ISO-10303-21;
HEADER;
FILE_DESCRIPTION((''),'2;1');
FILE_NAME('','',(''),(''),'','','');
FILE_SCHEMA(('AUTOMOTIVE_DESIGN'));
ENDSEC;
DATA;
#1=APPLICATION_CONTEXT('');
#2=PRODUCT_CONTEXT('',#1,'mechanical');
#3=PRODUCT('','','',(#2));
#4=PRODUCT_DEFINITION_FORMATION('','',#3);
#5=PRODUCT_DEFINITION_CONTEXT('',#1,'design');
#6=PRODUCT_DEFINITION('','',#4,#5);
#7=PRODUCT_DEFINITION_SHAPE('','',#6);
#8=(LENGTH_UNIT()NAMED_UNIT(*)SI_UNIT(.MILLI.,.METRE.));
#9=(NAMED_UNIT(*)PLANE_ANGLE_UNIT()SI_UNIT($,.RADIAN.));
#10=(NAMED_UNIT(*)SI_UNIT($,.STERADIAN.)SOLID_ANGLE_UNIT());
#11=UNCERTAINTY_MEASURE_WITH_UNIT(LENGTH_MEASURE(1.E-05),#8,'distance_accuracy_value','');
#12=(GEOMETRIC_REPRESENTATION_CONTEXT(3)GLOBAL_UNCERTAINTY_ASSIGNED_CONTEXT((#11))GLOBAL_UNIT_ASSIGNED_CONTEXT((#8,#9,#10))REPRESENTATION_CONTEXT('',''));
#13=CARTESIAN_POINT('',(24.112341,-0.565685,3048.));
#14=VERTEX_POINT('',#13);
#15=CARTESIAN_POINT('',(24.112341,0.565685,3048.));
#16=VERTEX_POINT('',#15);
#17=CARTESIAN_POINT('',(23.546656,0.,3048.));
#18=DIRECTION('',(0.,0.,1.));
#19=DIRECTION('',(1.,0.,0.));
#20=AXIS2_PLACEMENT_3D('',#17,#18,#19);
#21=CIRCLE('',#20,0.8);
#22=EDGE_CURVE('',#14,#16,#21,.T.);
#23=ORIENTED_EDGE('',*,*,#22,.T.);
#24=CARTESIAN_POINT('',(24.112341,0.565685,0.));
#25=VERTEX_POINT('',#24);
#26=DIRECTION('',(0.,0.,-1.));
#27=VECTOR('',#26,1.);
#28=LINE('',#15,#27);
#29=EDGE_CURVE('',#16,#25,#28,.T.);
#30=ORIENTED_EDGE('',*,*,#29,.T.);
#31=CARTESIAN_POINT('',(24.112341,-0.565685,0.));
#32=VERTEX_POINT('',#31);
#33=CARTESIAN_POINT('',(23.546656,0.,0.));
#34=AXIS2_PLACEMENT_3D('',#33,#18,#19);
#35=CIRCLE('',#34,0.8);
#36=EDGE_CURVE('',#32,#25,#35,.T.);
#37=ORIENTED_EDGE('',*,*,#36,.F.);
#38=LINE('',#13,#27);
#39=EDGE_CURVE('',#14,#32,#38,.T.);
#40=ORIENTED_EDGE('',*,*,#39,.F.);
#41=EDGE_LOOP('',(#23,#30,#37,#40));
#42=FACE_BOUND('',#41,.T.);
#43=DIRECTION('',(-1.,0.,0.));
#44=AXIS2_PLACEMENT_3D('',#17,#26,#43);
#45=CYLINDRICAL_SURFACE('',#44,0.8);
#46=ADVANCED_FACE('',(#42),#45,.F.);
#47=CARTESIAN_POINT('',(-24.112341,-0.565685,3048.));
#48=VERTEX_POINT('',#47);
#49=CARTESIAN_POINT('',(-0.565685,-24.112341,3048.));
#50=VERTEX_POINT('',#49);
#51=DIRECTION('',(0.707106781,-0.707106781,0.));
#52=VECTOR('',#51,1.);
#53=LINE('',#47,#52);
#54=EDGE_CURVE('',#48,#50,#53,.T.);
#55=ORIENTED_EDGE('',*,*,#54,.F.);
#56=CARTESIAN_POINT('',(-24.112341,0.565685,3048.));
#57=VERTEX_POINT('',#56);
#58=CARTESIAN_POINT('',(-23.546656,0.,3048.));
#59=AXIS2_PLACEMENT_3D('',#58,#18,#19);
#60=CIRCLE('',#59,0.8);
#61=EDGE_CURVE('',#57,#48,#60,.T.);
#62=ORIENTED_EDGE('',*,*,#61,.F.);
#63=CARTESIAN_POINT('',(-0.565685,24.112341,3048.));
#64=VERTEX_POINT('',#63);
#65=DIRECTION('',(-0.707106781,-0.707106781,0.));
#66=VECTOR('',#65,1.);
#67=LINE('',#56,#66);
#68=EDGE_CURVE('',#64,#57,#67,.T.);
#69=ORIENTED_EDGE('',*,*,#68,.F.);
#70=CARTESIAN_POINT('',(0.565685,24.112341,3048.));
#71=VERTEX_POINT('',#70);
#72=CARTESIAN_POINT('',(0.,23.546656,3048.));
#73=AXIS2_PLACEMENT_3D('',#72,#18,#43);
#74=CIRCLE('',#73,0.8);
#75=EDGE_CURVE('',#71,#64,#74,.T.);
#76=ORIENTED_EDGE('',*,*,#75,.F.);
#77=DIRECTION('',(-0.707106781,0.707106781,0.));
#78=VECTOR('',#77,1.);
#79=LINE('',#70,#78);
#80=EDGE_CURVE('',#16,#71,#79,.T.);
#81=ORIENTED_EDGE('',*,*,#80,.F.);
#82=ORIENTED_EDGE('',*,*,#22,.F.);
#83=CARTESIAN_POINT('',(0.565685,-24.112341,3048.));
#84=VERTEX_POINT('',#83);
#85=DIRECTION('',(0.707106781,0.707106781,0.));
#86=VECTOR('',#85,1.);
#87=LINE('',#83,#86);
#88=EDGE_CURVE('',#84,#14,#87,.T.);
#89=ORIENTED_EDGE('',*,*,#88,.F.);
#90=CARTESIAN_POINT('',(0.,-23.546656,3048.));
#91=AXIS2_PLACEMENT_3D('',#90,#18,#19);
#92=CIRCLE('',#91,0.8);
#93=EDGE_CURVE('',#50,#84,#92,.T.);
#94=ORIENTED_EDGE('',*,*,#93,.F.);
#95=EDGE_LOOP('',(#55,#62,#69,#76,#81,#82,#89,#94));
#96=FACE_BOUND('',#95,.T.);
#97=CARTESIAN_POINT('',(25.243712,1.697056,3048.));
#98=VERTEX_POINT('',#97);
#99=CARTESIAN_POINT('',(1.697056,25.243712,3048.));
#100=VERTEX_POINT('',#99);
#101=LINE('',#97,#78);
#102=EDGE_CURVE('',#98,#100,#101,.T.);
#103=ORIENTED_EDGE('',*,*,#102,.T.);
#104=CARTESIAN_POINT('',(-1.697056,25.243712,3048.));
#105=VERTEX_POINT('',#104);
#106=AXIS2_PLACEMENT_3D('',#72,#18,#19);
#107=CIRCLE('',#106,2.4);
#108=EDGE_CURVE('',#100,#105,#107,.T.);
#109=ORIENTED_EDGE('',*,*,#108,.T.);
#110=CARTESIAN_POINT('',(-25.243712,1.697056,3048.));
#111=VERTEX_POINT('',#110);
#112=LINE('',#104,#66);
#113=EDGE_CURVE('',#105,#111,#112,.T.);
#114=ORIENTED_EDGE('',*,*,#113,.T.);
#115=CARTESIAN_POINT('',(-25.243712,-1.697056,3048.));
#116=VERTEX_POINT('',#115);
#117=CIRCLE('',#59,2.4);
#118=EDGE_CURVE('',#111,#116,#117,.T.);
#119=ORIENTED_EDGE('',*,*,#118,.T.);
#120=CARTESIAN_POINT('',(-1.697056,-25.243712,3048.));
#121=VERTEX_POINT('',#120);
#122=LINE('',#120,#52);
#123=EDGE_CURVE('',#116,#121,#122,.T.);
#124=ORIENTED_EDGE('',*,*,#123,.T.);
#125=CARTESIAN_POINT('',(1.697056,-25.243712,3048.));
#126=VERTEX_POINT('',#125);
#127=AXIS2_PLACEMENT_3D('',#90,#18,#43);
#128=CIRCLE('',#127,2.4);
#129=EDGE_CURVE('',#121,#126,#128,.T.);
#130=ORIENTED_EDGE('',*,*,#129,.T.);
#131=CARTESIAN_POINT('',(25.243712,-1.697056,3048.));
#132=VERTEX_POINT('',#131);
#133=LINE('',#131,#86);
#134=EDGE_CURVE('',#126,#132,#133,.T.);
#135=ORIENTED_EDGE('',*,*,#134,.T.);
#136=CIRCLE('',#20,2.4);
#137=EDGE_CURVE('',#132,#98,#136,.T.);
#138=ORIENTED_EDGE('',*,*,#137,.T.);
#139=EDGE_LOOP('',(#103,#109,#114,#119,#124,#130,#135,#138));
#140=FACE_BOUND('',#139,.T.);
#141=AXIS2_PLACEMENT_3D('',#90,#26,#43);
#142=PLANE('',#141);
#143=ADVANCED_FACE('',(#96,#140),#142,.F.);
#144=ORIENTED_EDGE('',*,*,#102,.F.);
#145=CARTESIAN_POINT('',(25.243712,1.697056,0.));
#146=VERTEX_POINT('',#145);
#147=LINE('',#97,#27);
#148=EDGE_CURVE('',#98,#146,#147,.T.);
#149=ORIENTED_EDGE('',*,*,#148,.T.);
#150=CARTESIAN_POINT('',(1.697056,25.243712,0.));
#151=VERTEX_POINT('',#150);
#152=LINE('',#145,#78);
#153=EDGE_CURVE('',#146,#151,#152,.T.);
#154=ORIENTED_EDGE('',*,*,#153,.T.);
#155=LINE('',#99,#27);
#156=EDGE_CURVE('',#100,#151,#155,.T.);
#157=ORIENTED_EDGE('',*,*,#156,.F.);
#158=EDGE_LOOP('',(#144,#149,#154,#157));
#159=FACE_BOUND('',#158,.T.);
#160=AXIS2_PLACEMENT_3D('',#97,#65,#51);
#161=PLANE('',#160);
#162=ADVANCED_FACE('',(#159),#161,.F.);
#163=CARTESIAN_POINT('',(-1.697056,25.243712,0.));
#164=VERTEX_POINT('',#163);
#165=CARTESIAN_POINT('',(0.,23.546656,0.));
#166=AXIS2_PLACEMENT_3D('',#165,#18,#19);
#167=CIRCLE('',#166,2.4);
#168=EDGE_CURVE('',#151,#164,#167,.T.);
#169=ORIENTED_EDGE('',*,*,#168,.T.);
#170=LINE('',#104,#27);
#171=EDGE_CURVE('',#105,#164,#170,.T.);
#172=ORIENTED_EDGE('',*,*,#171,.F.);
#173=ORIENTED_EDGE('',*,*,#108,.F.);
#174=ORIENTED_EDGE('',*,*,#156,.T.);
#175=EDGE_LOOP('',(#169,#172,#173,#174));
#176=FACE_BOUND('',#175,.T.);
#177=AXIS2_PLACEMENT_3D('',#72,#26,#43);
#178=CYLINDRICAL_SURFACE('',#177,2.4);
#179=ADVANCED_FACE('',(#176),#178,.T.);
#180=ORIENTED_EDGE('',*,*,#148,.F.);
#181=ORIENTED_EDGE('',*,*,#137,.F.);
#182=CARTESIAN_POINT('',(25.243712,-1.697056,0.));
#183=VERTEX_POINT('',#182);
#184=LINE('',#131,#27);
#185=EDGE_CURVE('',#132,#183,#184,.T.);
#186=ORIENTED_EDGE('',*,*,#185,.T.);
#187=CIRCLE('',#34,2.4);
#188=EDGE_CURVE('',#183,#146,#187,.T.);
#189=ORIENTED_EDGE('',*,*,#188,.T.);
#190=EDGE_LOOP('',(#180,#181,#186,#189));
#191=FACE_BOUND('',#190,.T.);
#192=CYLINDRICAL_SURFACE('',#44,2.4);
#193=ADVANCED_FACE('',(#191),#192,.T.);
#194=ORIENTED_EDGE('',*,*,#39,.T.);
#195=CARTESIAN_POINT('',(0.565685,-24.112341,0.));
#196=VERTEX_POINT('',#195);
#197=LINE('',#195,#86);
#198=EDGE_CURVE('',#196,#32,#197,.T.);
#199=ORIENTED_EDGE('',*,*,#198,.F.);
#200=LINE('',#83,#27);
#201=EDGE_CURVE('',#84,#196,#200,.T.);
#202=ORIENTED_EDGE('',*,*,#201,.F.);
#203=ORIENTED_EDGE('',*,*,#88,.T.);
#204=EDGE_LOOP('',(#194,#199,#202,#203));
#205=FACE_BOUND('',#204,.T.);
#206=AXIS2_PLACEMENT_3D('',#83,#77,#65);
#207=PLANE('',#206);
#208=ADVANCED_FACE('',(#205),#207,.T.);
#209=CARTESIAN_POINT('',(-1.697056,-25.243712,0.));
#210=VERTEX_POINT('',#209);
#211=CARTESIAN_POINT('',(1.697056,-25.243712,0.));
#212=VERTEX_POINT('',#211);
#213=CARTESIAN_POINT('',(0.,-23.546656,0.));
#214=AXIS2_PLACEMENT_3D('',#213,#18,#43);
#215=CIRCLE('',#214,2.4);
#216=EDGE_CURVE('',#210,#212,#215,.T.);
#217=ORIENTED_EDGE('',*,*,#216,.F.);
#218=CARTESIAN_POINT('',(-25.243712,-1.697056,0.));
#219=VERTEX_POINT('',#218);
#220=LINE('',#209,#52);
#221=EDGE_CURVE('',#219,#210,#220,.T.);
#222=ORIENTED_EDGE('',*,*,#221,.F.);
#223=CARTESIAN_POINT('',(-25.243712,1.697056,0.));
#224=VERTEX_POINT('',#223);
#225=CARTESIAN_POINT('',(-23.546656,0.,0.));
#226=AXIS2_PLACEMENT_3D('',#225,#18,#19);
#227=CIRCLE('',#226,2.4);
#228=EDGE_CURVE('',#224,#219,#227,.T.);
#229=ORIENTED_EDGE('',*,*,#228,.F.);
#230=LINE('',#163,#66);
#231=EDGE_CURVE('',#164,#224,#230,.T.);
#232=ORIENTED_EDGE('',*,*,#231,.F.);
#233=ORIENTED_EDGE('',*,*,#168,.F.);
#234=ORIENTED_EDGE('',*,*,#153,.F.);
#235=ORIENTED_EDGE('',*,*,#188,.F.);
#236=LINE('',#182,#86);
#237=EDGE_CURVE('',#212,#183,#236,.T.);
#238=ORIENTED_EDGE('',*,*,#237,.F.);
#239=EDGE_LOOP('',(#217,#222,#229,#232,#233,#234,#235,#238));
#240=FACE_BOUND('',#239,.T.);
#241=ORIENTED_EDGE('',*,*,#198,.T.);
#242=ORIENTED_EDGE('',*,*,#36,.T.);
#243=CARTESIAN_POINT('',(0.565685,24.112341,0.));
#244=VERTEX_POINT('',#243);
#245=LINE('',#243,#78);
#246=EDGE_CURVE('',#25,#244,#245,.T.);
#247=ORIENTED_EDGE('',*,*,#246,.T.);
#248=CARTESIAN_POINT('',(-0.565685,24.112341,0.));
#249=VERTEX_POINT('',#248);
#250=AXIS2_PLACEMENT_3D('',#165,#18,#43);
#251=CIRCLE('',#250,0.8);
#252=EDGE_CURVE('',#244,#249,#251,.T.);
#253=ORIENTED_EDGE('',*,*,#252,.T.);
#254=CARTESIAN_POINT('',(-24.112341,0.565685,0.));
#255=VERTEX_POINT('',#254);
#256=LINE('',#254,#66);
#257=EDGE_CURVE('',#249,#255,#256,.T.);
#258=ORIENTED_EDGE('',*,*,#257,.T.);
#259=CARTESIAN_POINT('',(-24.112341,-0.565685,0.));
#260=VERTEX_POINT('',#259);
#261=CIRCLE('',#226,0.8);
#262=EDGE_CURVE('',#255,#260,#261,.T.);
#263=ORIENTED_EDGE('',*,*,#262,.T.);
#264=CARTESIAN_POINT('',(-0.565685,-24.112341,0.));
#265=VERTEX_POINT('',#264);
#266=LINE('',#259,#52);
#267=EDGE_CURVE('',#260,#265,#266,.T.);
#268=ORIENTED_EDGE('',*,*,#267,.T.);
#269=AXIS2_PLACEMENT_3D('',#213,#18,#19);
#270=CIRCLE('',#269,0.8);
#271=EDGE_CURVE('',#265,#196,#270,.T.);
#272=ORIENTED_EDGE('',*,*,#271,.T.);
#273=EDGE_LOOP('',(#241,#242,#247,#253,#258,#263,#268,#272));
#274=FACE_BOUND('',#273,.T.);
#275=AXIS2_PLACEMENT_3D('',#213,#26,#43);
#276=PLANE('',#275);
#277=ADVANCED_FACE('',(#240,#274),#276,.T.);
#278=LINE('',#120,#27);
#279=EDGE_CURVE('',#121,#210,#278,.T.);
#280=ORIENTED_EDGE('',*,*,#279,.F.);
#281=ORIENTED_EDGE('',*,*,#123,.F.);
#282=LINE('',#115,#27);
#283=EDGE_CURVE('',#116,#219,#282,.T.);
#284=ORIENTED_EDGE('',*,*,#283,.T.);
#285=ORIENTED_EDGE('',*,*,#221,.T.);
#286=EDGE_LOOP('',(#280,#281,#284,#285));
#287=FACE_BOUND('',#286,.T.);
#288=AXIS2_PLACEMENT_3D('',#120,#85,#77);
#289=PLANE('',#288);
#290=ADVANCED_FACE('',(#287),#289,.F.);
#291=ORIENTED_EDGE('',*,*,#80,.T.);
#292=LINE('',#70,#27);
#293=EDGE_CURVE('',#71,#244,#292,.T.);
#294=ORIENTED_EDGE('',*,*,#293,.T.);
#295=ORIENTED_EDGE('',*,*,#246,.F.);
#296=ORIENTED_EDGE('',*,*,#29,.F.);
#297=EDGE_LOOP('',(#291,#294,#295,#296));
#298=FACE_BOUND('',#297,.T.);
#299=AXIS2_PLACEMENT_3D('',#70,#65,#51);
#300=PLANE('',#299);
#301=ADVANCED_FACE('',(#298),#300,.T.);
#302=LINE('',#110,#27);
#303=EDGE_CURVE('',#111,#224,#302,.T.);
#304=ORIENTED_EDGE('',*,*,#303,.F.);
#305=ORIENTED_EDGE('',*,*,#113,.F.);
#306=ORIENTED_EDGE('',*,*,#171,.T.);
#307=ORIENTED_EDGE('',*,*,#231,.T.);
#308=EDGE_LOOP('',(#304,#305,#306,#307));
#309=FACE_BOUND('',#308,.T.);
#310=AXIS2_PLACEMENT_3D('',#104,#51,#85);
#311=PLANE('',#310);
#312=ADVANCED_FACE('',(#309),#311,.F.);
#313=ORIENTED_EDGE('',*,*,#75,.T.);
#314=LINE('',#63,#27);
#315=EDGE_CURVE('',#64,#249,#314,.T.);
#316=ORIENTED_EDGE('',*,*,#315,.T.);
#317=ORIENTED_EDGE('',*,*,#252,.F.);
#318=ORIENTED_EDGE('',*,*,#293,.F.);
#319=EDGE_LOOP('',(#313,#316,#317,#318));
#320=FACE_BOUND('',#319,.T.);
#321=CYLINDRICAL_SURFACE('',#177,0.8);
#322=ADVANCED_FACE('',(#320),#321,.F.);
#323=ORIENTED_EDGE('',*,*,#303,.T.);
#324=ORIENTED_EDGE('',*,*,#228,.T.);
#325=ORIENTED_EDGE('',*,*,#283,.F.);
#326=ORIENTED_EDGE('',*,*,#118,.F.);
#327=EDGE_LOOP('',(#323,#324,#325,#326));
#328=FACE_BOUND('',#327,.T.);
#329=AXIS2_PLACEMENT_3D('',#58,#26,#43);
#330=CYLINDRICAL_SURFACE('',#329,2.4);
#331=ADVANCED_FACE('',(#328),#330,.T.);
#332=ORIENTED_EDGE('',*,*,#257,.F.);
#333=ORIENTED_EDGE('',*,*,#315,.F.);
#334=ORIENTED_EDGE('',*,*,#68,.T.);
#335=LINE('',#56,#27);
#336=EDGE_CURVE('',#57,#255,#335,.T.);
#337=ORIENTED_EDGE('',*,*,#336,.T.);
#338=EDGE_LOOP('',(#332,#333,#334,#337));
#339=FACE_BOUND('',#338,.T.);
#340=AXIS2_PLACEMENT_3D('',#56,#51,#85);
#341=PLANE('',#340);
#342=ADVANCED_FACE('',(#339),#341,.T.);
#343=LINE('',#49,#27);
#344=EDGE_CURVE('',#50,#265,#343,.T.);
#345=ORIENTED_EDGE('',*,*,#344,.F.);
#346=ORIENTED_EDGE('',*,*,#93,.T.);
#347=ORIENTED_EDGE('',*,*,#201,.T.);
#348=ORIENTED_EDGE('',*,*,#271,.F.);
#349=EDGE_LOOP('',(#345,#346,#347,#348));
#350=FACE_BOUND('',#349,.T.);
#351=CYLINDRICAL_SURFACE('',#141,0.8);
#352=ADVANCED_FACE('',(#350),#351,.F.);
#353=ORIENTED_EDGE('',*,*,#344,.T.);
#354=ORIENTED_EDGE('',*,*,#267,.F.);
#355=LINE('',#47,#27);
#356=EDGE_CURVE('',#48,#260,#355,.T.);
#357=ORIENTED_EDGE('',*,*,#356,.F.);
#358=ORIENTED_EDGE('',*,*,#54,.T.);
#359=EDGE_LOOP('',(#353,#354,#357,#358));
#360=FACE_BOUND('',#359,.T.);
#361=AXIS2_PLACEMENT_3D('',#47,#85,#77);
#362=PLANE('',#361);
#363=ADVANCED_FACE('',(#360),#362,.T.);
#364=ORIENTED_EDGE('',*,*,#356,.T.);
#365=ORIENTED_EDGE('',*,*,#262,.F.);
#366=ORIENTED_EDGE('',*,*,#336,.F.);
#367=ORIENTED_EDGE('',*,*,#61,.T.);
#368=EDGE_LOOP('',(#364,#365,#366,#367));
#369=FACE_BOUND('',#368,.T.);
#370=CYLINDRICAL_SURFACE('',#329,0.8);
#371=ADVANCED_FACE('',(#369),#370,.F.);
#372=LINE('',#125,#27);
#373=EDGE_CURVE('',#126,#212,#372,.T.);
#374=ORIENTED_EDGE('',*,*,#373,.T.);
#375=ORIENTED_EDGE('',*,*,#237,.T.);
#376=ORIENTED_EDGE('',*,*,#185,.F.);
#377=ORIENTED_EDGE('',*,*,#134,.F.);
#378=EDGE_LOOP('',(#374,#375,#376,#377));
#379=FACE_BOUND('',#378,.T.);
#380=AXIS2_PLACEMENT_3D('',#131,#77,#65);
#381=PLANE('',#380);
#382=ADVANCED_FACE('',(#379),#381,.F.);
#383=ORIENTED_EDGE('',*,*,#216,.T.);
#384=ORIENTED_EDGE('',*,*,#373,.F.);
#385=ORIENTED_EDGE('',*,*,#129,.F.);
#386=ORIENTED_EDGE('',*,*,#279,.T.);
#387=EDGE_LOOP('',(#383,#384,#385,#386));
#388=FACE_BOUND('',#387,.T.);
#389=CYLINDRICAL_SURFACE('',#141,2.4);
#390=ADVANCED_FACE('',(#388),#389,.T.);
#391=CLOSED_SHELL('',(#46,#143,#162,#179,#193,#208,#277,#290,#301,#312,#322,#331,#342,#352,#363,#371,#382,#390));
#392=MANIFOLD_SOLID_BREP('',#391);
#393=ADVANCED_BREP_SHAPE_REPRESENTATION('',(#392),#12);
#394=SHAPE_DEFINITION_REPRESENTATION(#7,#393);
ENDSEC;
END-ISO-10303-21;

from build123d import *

# Parameters (mm, degrees)
BOSS_EXTRUDE1_DEPTH = 3048


with BuildPart() as part:
    # inch square tube → Boss-Extrude1 (new body)
    with BuildSketch(Plane.XY):
        with BuildLine():
            Line((25.243712088, -1.697056275), (1.697056275, -25.243712088))
            ThreePointArc((1.697056275, -25.243712088), (0, -25.946655814), (-1.697056275, -25.243712088))
            Line((-1.697056275, -25.243712088), (-25.243712088, -1.697056275))
            ThreePointArc((-25.243712088, -1.697056275), (-25.946655814, 0), (-25.243712088, 1.697056275))
            Line((-25.243712088, 1.697056275), (-1.697056275, 25.243712088))
            ThreePointArc((-1.697056275, 25.243712088), (0, 25.946655814), (1.697056275, 25.243712088))
            Line((1.697056275, 25.243712088), (25.243712088, 1.697056275))
            ThreePointArc((25.243712088, 1.697056275), (25.946655814, 0), (25.243712088, -1.697056275))
        make_face()
        with BuildLine():
            Line((-24.112341238, 0.565685425), (-0.565685425, 24.112341238))
            ThreePointArc((-0.565685425, 24.112341238), (0, 24.346655814), (0.565685425, 24.112341238))
            Line((0.565685425, 24.112341238), (24.112341238, 0.565685425))
            ThreePointArc((24.112341238, 0.565685425), (24.346655814, 0), (24.112341238, -0.565685425))
            Line((24.112341238, -0.565685425), (0.565685425, -24.112341238))
            ThreePointArc((0.565685425, -24.112341238), (0, -24.346655814), (-0.565685425, -24.112341238))
            Line((-0.565685425, -24.112341238), (-24.112341238, -0.565685425))
            ThreePointArc((-24.112341238, -0.565685425), (-24.346655814, 0), (-24.112341238, 0.565685425))
        make_face(mode=Mode.SUBTRACT)
    extrude(amount=BOSS_EXTRUDE1_DEPTH)


solid = part.part
